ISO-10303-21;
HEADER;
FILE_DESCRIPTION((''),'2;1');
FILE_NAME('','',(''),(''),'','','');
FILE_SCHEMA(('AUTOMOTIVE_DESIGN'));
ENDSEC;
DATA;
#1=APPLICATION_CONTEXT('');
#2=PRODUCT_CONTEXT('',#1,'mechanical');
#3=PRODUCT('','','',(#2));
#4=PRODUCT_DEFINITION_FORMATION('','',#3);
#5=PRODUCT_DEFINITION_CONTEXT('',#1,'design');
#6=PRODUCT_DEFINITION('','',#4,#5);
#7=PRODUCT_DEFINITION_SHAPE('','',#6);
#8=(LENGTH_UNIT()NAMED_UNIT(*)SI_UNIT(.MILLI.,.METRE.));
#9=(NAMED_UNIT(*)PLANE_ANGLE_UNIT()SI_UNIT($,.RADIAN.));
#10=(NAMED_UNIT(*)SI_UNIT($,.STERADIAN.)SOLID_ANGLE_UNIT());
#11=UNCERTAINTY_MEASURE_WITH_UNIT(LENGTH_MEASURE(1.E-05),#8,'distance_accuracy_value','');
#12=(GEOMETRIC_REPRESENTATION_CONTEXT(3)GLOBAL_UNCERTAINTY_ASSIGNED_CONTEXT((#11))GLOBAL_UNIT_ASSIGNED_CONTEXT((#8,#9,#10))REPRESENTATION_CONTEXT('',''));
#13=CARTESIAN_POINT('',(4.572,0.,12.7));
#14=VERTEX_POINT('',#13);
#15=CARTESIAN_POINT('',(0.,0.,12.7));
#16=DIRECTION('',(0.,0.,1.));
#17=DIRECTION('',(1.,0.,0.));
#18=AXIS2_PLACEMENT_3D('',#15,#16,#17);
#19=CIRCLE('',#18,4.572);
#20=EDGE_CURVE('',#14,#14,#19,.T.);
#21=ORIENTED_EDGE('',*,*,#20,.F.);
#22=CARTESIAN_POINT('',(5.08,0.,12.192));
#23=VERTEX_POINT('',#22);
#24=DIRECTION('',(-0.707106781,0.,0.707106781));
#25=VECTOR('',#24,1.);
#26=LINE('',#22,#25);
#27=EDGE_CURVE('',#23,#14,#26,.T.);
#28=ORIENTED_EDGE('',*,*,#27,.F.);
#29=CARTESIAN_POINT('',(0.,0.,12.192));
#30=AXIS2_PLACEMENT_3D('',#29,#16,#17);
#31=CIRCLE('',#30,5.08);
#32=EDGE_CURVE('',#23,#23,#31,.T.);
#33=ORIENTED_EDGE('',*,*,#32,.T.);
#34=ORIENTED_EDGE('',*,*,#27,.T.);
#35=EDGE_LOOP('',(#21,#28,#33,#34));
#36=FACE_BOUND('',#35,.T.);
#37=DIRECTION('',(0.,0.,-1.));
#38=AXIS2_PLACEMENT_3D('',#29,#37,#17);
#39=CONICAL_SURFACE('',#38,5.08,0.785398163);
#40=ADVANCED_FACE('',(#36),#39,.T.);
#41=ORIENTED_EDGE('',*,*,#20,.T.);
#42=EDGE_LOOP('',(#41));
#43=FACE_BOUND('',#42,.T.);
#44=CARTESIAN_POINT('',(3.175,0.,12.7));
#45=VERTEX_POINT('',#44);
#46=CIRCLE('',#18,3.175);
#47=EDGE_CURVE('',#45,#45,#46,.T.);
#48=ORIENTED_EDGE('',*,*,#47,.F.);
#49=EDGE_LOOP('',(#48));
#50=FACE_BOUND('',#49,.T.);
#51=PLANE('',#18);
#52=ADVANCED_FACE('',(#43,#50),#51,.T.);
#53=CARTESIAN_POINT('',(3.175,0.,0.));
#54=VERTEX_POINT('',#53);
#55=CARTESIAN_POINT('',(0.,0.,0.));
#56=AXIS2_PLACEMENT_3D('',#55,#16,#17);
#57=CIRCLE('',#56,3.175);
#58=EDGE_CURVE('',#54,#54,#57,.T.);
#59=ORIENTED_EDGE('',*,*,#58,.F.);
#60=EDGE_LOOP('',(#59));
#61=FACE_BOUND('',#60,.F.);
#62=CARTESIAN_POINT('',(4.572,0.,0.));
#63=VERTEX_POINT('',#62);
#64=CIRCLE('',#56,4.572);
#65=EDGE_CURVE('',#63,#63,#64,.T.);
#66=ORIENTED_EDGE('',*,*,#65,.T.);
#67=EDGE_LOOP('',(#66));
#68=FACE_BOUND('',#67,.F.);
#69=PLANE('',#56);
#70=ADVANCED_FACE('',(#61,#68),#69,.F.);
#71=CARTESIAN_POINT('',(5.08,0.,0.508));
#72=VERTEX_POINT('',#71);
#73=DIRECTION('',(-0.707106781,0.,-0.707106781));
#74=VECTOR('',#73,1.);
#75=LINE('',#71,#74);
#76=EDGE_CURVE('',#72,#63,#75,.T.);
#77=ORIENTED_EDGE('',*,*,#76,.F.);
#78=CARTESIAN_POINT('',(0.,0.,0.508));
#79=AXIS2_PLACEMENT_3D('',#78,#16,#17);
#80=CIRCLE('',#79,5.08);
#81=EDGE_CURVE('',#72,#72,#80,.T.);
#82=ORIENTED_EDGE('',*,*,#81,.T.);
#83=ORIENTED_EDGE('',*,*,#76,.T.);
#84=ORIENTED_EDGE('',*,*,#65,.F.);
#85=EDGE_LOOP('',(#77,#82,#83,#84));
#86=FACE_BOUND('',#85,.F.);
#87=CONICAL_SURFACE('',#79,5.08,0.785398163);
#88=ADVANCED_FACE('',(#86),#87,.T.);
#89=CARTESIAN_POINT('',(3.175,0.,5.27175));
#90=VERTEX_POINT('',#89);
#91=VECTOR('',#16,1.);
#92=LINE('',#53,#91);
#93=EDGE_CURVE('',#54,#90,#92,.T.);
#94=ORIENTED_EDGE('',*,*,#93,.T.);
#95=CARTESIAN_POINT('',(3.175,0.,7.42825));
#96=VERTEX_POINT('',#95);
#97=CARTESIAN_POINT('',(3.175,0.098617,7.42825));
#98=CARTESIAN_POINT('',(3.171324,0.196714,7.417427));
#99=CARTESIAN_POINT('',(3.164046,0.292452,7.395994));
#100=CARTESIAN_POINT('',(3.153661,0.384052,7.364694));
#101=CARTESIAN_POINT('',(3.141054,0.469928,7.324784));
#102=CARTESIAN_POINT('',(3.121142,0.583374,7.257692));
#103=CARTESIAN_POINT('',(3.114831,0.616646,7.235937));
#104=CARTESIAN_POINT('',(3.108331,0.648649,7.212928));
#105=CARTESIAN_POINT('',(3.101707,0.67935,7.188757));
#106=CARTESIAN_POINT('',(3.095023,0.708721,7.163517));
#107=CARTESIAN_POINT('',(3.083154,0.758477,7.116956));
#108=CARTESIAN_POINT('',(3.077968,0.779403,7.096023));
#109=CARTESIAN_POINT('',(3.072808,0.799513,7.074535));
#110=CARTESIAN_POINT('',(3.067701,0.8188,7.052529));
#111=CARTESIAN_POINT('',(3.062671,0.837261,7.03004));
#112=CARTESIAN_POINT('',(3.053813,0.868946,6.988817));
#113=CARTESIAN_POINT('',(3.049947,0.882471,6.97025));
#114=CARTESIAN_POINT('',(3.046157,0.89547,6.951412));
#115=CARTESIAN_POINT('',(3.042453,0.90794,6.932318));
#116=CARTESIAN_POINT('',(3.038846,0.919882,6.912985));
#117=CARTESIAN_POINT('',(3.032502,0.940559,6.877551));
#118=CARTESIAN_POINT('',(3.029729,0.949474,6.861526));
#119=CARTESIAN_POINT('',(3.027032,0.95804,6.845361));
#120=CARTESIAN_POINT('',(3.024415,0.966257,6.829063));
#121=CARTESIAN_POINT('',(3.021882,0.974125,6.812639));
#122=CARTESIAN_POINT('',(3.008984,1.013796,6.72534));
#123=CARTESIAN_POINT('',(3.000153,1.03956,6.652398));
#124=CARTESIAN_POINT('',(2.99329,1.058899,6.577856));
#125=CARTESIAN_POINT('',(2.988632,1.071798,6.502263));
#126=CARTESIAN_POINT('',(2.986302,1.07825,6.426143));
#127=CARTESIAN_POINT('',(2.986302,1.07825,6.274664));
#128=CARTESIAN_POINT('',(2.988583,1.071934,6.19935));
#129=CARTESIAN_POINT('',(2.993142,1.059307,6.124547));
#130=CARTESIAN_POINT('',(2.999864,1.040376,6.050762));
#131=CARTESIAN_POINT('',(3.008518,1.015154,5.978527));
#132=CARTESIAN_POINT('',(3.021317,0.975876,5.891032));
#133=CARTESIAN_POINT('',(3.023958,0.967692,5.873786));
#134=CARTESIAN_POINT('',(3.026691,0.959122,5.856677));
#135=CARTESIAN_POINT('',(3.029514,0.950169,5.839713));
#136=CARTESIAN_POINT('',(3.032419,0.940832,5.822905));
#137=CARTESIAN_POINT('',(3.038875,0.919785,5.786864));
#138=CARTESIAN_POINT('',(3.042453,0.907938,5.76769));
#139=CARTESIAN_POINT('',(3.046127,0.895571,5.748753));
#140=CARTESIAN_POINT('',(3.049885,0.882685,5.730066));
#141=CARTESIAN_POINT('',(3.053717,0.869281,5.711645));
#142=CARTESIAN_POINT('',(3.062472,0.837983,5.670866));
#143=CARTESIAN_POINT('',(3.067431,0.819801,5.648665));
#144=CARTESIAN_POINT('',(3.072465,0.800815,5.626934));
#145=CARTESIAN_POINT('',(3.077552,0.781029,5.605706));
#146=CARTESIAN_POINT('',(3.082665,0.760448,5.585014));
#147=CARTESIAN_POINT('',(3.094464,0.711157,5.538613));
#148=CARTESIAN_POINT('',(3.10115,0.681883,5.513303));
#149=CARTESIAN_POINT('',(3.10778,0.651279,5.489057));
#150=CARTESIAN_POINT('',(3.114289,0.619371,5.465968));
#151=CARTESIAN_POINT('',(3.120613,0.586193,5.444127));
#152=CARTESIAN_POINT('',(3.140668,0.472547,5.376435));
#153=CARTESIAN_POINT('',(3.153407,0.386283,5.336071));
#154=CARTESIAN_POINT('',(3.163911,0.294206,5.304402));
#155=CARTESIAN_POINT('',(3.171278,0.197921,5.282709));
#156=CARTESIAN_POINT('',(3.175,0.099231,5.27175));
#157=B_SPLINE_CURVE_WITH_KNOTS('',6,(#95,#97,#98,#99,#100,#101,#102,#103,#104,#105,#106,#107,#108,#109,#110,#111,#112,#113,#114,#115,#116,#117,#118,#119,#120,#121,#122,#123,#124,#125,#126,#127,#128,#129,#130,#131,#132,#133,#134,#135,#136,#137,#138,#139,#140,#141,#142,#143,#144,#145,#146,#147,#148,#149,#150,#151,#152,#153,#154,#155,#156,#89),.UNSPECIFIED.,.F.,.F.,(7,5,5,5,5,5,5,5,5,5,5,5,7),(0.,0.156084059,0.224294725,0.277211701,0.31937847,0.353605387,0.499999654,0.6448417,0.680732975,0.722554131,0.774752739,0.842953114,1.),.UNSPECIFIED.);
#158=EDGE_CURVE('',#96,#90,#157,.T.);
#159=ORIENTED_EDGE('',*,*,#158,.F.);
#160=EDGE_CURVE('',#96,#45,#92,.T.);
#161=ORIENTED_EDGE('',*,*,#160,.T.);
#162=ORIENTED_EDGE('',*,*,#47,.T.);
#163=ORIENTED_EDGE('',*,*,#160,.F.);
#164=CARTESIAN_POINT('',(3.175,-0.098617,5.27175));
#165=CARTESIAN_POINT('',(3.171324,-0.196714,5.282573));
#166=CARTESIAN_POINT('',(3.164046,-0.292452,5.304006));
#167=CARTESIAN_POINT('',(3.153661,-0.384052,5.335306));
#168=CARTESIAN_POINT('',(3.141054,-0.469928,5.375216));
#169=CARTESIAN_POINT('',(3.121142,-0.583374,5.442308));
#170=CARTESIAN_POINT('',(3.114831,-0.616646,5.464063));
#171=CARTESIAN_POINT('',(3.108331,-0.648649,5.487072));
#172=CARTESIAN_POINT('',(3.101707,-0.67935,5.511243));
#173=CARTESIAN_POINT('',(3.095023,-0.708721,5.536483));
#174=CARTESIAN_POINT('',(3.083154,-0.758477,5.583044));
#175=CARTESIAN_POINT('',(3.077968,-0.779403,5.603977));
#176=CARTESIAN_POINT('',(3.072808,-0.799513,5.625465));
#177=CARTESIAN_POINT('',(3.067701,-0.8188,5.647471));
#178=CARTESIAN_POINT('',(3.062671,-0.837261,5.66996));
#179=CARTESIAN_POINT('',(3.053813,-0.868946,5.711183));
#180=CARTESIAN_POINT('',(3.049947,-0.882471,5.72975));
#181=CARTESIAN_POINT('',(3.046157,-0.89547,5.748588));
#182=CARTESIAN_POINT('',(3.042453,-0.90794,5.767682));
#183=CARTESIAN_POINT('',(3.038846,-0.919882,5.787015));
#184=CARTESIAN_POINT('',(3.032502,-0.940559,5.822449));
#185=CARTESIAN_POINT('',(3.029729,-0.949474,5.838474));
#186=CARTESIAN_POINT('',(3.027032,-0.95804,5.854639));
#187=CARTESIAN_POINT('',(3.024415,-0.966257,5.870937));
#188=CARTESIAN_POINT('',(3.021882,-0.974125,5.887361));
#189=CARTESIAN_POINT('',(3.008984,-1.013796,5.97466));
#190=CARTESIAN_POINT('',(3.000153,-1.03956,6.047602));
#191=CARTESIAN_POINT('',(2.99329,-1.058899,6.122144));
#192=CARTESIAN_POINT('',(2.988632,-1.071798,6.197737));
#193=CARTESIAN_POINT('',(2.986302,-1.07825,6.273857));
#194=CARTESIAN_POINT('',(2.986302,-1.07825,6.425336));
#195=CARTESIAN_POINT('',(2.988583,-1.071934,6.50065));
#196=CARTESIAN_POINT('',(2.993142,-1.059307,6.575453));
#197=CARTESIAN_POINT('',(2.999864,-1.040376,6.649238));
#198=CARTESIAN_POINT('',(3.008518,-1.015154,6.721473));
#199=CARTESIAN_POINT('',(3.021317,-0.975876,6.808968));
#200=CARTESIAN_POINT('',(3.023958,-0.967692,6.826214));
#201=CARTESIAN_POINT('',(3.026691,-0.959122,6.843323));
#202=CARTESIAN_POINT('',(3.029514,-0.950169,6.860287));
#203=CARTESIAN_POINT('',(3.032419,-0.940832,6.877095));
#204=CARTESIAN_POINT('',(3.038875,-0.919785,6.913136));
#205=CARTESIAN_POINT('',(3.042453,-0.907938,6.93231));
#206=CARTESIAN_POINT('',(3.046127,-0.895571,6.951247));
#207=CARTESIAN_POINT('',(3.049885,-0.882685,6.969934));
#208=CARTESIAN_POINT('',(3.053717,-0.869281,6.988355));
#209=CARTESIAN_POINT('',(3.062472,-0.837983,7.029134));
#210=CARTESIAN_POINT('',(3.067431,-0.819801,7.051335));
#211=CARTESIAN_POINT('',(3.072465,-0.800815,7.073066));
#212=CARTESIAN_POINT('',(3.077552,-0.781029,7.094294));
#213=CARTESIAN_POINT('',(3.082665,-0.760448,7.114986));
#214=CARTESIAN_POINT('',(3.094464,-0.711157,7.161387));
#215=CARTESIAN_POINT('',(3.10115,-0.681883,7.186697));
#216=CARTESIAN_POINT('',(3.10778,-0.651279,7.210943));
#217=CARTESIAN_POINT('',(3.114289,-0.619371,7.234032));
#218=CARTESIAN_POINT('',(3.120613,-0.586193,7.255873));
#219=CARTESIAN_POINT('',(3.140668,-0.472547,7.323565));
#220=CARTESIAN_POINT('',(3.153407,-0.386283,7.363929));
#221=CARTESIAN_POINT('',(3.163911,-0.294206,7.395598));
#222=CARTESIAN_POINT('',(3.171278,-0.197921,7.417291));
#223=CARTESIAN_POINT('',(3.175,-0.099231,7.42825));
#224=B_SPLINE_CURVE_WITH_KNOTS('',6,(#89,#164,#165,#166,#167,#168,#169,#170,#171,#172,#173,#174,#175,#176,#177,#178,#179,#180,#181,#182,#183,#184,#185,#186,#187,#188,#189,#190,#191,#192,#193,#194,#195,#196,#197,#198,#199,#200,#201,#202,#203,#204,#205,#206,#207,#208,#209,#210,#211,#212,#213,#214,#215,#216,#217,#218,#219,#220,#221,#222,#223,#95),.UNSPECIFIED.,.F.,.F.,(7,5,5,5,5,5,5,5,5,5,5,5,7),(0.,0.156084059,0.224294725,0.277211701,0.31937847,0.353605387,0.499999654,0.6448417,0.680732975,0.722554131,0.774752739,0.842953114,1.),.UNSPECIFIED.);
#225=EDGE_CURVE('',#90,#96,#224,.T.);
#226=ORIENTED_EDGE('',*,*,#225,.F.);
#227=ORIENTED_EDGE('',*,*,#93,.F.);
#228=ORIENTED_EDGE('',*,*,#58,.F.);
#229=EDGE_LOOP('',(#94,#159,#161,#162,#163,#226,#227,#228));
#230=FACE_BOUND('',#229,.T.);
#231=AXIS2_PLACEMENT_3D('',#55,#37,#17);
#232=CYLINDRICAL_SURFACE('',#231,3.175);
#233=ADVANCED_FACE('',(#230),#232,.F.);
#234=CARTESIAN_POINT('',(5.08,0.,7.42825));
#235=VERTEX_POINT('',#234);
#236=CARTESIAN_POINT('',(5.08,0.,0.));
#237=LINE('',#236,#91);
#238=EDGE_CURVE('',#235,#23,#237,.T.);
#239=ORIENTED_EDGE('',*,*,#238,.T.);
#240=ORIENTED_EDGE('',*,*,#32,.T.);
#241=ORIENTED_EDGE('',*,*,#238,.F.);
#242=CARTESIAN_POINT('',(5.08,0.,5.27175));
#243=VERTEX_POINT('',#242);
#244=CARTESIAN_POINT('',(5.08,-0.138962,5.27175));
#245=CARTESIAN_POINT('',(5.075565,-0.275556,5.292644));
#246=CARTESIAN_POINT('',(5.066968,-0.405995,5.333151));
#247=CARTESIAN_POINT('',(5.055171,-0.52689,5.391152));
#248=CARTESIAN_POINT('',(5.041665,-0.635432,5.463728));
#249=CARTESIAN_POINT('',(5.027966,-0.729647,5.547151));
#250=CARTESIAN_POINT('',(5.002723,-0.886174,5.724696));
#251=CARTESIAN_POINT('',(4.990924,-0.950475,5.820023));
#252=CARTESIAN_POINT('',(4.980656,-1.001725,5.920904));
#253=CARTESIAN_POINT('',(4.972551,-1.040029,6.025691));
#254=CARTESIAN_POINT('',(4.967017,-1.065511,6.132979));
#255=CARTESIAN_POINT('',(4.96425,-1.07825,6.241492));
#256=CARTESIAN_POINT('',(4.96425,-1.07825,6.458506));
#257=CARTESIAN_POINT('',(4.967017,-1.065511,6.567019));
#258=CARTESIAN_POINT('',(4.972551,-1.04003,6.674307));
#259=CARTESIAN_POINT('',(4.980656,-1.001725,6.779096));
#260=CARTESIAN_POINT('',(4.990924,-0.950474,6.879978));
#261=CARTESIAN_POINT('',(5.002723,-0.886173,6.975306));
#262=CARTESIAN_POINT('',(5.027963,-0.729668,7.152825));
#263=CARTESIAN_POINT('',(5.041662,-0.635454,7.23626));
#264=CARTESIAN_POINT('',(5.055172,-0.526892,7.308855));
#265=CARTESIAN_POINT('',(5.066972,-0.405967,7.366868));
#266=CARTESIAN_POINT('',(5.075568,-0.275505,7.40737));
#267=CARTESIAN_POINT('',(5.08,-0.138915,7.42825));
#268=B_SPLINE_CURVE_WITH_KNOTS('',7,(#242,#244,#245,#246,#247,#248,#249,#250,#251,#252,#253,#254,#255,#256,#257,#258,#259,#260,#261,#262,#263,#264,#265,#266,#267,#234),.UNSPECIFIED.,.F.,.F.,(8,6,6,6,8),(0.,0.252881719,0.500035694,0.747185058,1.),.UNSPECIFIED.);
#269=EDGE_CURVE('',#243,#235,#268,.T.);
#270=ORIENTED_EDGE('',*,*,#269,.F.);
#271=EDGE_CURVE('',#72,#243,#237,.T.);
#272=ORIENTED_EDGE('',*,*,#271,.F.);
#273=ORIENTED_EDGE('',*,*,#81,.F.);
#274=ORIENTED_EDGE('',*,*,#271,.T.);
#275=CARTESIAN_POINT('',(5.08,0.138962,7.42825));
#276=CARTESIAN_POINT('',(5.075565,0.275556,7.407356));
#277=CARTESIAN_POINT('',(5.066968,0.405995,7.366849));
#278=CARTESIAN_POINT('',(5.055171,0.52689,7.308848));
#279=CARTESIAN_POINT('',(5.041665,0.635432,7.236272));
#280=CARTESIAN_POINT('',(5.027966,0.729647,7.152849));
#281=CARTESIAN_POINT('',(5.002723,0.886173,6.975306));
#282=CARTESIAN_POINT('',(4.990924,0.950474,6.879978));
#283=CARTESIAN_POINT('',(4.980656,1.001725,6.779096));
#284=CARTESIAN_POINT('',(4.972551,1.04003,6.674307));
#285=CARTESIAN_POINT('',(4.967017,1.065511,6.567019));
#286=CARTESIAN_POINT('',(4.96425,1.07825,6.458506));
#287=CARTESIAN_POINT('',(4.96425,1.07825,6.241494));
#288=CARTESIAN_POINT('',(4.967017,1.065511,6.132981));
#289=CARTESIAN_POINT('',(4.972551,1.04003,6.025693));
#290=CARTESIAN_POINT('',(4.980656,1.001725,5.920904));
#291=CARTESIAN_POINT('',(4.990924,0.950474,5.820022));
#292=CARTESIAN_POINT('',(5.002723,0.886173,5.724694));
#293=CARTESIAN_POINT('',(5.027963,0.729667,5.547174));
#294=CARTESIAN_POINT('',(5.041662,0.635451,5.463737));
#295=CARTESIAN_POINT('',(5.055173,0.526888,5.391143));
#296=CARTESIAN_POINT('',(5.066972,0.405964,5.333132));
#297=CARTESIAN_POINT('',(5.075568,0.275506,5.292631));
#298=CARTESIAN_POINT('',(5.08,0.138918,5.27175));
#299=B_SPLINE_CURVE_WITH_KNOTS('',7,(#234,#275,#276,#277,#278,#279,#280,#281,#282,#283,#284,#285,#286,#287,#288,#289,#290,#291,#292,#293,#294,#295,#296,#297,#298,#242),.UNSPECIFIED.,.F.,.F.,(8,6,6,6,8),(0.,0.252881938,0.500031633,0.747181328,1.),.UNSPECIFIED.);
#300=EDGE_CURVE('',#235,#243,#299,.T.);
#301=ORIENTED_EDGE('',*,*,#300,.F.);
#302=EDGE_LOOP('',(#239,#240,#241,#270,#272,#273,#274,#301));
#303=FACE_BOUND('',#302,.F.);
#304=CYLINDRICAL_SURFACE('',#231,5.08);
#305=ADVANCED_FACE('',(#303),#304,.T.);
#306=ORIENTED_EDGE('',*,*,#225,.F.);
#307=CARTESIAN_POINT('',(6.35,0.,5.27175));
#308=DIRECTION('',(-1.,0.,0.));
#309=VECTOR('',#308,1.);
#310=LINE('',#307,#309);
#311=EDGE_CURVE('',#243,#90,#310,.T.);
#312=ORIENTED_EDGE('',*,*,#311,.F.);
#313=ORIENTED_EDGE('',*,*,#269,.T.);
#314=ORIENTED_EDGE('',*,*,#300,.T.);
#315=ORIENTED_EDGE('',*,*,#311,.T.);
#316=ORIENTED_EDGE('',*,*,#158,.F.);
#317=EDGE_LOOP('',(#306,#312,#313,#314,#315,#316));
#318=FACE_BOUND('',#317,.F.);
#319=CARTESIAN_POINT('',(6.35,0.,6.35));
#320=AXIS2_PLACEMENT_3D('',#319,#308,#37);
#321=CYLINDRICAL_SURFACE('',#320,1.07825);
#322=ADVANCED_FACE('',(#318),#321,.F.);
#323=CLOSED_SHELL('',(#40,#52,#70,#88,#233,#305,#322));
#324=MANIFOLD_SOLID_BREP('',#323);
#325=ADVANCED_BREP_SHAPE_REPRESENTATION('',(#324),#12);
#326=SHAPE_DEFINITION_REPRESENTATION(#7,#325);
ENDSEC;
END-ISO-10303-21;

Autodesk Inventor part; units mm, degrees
ref_plane "XZ Plane" through (0, 0, 0) normal (0, 1, 0) x (-1, 0, 0)
ref_plane "XY Plane" through (0, 0, 0) normal (0, 0, 1) x (1, 0, 0)
sketch "Sketch1" plane through (0, 0, 0) normal (0, 0, 1) x (1, 0, 0)
  circle A0 centre (0, 0) radius 3.175
  circle A1 centre (0, 0) radius 5.08
  dimension "d0" = 6.35
  dimension "d1" = 10.16
extrude "Extrusion1" add sketch "Sketch1" along normal blind 12.7
chamfer "Chamfer1" distance 0.508 angle 45 2 edges at (-5.08, 0, 12.7) (-5.08, 0, 0)
ref_plane "Work Plane1" through (6.35, 0, 0) normal (1, 0, 0) x (0, 1, 0)
sketch "Sketch2" plane through (6.35, 0, 0) normal (1, 0, 0) x (0, 1, 0)
  circle A0 centre (0, 6.35) radius 1.1282
  point P0 (0, 0)
  dimension "d8" = 6.35
hole "Hole1" at (6.35, 0, 6.35) direction (-1, 0, 0) diameter 2.1565 depth 6.35 thread size "4-40 UNC" class "2B" standard "ANSI Unified Screw Threads"
properties part number "Carriage Axle Set Screw Holder"
